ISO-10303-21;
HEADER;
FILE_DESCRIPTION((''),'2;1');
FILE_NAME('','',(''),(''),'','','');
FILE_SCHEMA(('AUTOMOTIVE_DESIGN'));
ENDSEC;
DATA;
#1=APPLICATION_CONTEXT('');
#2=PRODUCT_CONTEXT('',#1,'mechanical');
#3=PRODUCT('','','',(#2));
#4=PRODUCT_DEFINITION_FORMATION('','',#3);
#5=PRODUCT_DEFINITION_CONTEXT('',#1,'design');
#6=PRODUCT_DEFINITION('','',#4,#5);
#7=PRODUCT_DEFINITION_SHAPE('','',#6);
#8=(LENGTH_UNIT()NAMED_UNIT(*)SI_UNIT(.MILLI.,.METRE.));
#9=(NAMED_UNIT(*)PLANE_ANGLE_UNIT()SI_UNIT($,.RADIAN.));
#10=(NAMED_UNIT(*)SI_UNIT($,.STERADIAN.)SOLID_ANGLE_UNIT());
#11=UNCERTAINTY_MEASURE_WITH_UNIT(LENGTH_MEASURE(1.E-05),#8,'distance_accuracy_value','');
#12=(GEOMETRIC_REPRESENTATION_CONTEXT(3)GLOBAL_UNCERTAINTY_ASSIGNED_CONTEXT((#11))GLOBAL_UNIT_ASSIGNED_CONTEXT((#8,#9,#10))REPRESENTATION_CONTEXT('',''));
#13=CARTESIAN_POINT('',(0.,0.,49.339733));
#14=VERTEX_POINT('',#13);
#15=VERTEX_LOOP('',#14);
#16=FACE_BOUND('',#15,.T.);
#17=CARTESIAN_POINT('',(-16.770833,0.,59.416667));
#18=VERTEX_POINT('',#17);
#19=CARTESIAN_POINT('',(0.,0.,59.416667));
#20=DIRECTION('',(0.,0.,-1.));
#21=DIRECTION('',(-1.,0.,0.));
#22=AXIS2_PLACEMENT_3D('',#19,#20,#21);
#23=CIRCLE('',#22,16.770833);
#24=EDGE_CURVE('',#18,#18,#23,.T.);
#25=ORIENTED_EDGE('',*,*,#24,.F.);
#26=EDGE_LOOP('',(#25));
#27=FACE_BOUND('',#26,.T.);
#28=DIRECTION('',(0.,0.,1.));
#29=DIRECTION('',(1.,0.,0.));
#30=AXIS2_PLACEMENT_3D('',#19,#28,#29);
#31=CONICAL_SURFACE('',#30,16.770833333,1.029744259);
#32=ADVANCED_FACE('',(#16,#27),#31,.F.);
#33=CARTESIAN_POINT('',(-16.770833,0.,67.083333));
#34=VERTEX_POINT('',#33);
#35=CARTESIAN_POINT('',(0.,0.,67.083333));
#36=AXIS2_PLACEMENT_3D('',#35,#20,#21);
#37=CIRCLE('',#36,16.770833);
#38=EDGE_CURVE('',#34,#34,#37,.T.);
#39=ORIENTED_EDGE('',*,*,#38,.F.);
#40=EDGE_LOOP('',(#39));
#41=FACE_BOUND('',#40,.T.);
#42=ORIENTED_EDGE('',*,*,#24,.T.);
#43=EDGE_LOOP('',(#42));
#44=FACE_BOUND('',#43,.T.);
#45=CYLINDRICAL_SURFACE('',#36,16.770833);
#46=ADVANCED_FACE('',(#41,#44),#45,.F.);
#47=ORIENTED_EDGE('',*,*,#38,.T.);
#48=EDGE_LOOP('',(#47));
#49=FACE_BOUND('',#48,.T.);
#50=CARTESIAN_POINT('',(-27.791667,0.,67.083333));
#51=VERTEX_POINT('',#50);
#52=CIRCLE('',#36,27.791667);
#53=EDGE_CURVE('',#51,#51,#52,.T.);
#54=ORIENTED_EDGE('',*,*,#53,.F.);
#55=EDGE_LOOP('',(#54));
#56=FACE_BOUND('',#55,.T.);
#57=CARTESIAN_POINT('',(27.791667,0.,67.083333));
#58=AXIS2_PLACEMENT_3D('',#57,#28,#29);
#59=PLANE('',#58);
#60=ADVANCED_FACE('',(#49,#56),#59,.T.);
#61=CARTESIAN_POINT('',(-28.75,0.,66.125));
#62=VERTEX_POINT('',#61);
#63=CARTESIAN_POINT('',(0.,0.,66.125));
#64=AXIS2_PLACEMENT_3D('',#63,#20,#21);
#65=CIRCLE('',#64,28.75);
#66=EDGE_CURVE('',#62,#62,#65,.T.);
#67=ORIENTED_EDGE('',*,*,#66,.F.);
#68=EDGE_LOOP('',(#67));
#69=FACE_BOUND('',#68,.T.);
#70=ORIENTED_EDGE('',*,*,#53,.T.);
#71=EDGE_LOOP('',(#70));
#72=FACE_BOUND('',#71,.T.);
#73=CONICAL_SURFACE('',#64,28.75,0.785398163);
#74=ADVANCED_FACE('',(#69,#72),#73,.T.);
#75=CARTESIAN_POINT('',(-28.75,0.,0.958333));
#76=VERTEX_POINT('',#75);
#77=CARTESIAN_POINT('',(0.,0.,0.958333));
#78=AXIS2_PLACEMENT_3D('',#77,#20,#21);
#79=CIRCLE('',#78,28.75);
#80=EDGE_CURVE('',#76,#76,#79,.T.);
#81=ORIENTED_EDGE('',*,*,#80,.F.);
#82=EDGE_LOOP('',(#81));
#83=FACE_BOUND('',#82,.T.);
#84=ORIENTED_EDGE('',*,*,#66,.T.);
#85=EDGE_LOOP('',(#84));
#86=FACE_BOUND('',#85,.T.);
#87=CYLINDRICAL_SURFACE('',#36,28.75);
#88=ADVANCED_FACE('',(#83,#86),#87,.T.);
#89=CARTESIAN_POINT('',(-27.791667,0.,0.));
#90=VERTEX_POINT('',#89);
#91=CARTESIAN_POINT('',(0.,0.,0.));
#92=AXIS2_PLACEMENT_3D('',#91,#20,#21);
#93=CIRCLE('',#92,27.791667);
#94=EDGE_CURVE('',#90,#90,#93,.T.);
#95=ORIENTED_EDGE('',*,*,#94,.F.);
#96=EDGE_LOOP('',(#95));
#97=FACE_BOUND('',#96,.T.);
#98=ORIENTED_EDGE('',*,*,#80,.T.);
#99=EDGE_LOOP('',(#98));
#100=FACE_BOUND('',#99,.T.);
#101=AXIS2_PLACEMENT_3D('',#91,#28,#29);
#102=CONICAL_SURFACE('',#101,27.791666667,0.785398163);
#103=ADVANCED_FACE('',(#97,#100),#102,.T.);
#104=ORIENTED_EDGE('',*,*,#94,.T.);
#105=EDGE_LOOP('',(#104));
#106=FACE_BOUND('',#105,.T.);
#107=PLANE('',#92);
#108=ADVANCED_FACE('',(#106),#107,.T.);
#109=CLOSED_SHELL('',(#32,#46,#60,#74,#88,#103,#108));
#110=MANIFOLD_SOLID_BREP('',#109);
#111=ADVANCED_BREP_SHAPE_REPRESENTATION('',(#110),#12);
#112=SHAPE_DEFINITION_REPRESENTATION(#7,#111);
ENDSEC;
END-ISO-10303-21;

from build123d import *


with BuildPart() as part:
    # Esquisse1 → Révolution1 (revolve)
    with BuildSketch(Plane.XZ, mode=Mode.PRIVATE) as r_volution1_sk:
        Polygon((16.770833333, 59.416666667), (0, 49.339733368), (0, 0), (27.791666667, 0), (28.75, 0.958333333), (28.75, 66.125), (27.791666667, 67.083333333), (16.770833333, 67.083333333), align=None)
    revolve(r_volution1_sk.sketch.rotate(Axis((0, 0, 67.083333333), (0, 0, -1)), 180), axis=Axis((0, 0, 67.083333333), (0, 0, -1)))


solid = part.part
